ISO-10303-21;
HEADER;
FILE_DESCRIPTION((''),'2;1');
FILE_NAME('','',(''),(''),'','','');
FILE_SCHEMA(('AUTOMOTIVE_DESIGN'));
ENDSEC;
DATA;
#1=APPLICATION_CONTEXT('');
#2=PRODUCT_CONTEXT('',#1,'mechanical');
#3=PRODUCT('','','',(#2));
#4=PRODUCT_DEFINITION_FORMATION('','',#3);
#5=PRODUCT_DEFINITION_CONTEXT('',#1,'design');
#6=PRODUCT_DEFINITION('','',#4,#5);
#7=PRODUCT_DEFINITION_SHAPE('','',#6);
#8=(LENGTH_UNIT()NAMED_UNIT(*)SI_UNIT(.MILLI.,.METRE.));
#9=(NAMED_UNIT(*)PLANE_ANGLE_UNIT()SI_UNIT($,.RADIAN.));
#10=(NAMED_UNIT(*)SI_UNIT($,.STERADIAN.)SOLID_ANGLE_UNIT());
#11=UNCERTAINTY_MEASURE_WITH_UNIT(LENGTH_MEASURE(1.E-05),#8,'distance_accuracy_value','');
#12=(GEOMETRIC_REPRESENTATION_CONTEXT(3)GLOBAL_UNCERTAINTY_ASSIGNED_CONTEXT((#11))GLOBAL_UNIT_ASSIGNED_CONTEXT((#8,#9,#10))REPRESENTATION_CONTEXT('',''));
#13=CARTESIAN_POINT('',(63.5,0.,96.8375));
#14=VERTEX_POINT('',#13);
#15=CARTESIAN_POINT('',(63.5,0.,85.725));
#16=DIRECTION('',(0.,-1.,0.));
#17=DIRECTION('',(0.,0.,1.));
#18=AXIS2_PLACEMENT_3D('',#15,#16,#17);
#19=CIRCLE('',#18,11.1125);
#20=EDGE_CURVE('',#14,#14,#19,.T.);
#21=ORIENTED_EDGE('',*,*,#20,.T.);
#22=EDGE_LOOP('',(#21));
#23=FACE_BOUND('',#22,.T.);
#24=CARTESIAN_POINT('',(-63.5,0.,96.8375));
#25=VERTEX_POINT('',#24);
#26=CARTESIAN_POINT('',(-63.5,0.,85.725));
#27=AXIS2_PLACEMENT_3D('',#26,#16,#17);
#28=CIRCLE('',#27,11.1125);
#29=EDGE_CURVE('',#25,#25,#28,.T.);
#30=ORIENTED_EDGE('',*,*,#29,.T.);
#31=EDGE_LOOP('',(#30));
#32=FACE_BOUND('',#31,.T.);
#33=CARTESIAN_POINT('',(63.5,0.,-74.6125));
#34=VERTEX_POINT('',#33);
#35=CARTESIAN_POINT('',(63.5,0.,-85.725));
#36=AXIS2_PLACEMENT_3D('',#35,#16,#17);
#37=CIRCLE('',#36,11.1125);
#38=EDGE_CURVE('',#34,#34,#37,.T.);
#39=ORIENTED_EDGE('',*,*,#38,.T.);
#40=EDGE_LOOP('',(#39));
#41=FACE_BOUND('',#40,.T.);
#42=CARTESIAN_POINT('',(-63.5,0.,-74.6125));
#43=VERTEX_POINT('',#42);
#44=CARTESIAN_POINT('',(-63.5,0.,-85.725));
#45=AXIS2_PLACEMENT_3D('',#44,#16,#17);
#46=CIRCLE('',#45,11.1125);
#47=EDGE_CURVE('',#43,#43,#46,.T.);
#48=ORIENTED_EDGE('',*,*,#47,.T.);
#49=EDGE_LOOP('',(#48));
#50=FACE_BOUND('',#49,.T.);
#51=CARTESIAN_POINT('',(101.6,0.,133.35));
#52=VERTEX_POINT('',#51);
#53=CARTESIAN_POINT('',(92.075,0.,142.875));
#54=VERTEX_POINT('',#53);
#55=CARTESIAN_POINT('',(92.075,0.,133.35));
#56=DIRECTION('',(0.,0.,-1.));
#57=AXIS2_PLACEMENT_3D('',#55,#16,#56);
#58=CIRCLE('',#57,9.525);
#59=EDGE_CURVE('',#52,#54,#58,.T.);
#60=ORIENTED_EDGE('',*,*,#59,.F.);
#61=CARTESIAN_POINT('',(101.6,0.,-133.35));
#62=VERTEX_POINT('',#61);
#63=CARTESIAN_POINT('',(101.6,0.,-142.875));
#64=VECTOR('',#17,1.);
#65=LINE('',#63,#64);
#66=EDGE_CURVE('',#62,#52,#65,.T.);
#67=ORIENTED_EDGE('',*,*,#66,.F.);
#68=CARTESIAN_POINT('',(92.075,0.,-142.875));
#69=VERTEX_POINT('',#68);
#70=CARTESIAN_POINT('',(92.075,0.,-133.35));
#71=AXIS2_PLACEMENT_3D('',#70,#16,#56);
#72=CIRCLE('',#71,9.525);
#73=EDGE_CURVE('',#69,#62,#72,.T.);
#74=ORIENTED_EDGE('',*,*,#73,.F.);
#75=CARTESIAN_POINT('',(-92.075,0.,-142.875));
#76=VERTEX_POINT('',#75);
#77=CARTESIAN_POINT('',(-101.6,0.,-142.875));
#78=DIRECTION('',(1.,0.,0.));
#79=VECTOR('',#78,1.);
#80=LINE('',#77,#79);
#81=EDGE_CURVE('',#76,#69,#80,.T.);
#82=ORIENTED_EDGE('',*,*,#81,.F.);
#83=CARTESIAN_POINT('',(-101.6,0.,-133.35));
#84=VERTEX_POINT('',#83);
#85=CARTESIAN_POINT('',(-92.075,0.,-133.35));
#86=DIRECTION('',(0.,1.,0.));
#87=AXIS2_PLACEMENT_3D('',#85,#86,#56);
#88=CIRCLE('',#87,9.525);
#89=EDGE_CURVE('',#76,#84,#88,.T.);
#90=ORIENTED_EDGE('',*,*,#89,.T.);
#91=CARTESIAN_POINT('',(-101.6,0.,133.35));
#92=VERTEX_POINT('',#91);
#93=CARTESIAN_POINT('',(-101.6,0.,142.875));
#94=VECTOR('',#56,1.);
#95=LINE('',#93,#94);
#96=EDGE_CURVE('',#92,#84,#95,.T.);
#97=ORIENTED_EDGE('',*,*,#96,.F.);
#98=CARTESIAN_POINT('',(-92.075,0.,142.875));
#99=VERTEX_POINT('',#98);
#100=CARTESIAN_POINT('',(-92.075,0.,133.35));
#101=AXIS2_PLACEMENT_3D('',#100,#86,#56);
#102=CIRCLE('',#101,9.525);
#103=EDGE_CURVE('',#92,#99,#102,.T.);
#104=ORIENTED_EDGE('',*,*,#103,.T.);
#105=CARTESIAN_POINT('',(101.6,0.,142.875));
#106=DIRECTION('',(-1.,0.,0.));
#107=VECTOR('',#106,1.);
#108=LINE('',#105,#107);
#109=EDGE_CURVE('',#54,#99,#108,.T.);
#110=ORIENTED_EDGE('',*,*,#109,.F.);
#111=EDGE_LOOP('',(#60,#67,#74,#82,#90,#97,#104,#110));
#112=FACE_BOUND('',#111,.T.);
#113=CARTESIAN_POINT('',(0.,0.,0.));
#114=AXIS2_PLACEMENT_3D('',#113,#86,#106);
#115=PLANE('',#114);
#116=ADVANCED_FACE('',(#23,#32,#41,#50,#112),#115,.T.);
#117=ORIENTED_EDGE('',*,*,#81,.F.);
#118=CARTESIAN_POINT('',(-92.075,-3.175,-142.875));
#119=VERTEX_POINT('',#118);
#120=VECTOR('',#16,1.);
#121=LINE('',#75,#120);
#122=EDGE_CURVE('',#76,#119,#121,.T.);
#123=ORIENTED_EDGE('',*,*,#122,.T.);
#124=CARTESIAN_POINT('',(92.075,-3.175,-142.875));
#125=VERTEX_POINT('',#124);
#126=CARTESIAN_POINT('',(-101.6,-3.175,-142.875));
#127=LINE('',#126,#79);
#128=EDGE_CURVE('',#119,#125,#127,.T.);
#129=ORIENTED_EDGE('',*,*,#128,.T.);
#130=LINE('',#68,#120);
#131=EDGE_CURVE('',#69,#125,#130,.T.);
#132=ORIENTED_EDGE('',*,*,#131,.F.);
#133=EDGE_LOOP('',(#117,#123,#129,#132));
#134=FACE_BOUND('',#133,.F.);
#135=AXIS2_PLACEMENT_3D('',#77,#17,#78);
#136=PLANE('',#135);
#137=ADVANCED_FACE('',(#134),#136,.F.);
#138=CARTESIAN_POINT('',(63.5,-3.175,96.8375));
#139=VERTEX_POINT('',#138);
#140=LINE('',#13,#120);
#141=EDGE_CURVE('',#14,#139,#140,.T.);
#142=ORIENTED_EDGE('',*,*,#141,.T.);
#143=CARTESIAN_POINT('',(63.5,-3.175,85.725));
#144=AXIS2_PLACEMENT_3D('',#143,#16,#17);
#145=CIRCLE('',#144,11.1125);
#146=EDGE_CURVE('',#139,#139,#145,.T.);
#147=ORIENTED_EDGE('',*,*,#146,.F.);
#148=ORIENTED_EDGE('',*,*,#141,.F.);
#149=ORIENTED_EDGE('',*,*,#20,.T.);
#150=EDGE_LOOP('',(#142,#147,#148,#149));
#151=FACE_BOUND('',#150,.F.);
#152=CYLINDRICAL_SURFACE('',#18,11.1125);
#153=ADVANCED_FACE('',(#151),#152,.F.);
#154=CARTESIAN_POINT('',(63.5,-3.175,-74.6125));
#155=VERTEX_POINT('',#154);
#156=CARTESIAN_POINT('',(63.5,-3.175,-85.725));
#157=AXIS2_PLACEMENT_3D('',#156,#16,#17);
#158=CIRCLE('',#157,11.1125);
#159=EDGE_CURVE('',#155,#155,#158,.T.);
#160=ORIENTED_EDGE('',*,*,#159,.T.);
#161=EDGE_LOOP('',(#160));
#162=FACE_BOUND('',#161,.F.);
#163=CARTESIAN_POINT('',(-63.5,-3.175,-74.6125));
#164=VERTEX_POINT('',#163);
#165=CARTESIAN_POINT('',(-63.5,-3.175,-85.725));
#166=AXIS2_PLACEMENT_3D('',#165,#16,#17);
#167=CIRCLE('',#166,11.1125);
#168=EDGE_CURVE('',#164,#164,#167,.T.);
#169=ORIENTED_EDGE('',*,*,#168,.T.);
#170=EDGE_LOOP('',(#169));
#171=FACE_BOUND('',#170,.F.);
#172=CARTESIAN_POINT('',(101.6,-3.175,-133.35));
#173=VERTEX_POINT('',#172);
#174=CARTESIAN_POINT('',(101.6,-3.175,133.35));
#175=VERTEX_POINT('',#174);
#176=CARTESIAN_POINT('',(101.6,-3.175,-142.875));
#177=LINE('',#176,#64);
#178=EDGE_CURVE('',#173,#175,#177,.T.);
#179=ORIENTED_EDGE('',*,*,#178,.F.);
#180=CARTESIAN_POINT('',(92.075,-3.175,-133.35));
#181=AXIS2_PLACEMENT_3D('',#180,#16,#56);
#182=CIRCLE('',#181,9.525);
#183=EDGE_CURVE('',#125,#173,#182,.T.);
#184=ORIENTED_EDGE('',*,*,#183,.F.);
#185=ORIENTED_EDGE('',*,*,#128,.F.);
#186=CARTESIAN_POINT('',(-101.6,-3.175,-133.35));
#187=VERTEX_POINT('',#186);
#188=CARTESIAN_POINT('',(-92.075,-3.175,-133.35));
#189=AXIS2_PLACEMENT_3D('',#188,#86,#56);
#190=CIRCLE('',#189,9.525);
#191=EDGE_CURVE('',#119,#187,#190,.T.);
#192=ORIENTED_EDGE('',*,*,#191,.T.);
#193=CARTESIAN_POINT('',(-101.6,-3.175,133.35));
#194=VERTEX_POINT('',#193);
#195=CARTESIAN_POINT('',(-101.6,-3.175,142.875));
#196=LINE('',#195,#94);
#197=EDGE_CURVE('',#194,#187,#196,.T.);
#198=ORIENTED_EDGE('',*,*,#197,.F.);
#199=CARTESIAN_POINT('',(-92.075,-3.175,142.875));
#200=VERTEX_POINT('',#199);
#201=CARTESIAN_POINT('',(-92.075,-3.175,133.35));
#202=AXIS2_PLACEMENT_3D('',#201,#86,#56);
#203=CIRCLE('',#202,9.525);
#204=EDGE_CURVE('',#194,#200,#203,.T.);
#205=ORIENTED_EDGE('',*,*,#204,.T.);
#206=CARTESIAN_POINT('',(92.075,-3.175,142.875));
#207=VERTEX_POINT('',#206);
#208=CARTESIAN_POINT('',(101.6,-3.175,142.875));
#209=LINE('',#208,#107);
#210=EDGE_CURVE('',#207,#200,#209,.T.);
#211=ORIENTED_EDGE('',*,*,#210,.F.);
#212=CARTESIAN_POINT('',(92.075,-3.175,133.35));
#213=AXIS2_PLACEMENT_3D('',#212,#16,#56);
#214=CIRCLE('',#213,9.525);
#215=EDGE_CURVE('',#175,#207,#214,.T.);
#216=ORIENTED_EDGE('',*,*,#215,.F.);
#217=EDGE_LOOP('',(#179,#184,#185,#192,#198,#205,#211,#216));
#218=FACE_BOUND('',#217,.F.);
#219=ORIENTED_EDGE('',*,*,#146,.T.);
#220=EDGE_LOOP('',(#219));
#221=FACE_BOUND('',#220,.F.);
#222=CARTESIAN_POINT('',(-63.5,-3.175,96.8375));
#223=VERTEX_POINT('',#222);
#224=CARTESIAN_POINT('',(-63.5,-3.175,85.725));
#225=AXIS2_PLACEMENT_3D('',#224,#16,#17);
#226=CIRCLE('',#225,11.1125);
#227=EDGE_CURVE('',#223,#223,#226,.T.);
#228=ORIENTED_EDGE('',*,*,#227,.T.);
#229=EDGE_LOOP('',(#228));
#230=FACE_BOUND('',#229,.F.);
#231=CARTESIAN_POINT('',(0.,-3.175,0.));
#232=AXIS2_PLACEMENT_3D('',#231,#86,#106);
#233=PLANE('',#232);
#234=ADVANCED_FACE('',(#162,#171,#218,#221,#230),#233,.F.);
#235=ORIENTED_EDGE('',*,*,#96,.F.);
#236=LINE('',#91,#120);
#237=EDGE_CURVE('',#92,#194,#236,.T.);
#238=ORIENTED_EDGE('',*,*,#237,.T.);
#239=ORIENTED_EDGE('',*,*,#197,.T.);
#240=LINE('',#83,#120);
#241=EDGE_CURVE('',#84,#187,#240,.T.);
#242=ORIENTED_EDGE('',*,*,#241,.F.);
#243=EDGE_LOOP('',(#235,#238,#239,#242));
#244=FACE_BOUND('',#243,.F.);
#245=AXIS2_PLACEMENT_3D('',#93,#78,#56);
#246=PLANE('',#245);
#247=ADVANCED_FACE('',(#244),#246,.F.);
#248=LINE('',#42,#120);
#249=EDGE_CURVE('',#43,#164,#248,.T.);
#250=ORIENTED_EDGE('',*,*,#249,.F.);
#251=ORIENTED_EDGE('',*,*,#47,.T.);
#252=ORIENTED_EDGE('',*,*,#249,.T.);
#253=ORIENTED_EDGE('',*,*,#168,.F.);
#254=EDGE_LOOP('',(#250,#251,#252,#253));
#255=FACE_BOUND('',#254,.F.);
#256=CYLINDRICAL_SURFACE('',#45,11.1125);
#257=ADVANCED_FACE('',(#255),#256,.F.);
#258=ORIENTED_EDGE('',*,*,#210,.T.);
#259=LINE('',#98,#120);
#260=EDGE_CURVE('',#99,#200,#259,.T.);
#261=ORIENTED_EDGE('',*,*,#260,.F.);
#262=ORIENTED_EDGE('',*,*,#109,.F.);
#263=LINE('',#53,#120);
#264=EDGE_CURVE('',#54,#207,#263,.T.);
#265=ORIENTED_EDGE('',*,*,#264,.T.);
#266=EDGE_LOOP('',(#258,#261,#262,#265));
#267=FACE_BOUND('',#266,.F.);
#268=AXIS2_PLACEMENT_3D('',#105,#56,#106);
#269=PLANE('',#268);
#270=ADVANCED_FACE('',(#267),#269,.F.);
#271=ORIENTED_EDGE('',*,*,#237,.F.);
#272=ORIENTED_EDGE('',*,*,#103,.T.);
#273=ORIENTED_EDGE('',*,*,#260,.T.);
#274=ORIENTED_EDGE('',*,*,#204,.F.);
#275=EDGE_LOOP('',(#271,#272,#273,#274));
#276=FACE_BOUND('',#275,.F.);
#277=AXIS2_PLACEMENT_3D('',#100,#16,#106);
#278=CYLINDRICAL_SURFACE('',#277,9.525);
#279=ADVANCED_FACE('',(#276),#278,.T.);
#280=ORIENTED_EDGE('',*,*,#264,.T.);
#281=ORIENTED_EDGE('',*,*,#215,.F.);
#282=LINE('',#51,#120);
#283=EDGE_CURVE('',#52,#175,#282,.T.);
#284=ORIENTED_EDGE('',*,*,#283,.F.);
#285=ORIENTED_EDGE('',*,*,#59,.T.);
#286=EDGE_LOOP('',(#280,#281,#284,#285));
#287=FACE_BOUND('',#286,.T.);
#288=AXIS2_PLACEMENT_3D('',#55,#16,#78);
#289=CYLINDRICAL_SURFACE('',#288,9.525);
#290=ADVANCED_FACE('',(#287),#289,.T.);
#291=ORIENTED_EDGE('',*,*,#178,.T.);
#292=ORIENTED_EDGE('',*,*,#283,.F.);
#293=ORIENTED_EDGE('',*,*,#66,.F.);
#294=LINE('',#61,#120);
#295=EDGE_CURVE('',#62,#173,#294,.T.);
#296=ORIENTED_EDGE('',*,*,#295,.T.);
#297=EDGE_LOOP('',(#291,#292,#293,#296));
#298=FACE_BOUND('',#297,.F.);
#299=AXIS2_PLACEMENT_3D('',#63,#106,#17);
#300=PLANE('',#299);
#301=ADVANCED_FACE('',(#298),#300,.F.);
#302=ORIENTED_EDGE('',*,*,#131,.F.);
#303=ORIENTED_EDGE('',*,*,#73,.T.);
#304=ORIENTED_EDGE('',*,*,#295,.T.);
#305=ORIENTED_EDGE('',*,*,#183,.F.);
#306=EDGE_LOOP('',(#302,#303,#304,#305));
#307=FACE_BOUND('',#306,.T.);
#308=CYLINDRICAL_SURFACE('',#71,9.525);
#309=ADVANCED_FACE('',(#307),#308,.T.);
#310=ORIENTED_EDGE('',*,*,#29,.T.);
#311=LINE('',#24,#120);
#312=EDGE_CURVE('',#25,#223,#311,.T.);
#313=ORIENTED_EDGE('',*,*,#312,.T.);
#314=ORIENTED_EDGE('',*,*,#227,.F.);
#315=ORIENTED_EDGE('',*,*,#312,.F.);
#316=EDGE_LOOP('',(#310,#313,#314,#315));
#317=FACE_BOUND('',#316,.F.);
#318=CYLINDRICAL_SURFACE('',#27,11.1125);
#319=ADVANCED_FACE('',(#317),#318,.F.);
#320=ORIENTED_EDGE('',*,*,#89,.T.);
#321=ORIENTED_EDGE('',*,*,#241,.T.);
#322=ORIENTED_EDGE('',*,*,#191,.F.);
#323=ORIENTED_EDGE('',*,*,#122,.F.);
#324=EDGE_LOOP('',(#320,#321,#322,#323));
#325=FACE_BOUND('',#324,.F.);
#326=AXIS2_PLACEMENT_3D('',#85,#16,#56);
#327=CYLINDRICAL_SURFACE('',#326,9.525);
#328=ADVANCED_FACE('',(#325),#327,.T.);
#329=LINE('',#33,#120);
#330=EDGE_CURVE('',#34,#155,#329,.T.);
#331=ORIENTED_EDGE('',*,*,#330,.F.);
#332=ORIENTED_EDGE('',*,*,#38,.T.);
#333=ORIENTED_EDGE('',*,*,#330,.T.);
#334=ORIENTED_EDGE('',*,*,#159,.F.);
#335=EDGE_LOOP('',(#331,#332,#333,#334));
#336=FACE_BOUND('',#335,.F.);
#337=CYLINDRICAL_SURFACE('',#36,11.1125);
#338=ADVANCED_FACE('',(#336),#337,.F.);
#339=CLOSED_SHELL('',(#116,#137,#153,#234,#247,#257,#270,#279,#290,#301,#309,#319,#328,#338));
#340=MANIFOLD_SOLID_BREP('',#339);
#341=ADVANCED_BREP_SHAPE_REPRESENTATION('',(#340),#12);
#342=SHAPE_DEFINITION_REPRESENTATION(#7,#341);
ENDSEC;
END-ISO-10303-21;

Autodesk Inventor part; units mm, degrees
ref_plane "YZ Plane" through (0, 0, 0) normal (1, 0, 0) x (0, 1, 0)
ref_plane "XZ Plane" through (0, 0, 0) normal (0, 1, 0) x (-1, 0, 0)
ref_plane "XY Plane" through (0, 0, 0) normal (0, 0, 1) x (1, 0, 0)
sketch "Sketch1" plane through (0, 0, 0) normal (0, 1, 0) x (-1, 0, 0)
  line L0 (101.6, -142.875) -> (-101.6, -142.875)
  line L1 (-101.6, -142.875) -> (-101.6, 142.875)
  line L2 (-101.6, 142.875) -> (101.6, 142.875)
  line L3 (101.6, 142.875) -> (101.6, -142.875)
  line L4 (101.6, -142.875) -> (-101.6, 142.875) construction
  line L5 (-101.6, -142.875) -> (101.6, 142.875) construction
  point P0 (0, 0)
  dimension "d0" = 203.2
  dimension "d1" = 285.75
extrude "Extrusion1" add sketch "Sketch1" against normal blind 3.175
sketch "Sketch2" plane through (0, 0, 0) normal (0, 1, 0) x (1, 0, 0)
  line L0 (101.6, 142.875) -> (101.6, -142.875) construction
  line L1 (101.6, 0) -> (-101.6, 0) construction
  line L2 (-101.6, -142.875) -> (-101.6, 142.875) construction
  line L3 (-101.6, 142.875) -> (101.6, 142.875) construction
  line L4 (0, 142.875) -> (0, -142.875) construction
  point P0 (0, 0)
  point P1 (63.5, 85.725)
  point P2 (0, 0)
  point P3 (-63.5, 85.725)
  point P4 (63.5, -85.725)
  point P5 (-63.5, -85.725)
  point P6 (0, 0)
  dimension "d4" = 85.725
  dimension "d5" = 63.5
hole "Hole1" at (63.5, 0, -85.725) at (-63.5, 0, -85.725) at (63.5, 0, 85.725) at (-63.5, 0, 85.725) direction (0, -1, 0) diameter 22.225 end through all
fillet "Fillet1" radius 9.525 4 edges at (101.6, -1.5875, 142.875) (101.6, -1.5875, -142.875) (-101.6, -1.5875, 142.875) (-101.6, -1.5875, -142.875)
properties part number "GP2-001" material "Aluminum 6061"
